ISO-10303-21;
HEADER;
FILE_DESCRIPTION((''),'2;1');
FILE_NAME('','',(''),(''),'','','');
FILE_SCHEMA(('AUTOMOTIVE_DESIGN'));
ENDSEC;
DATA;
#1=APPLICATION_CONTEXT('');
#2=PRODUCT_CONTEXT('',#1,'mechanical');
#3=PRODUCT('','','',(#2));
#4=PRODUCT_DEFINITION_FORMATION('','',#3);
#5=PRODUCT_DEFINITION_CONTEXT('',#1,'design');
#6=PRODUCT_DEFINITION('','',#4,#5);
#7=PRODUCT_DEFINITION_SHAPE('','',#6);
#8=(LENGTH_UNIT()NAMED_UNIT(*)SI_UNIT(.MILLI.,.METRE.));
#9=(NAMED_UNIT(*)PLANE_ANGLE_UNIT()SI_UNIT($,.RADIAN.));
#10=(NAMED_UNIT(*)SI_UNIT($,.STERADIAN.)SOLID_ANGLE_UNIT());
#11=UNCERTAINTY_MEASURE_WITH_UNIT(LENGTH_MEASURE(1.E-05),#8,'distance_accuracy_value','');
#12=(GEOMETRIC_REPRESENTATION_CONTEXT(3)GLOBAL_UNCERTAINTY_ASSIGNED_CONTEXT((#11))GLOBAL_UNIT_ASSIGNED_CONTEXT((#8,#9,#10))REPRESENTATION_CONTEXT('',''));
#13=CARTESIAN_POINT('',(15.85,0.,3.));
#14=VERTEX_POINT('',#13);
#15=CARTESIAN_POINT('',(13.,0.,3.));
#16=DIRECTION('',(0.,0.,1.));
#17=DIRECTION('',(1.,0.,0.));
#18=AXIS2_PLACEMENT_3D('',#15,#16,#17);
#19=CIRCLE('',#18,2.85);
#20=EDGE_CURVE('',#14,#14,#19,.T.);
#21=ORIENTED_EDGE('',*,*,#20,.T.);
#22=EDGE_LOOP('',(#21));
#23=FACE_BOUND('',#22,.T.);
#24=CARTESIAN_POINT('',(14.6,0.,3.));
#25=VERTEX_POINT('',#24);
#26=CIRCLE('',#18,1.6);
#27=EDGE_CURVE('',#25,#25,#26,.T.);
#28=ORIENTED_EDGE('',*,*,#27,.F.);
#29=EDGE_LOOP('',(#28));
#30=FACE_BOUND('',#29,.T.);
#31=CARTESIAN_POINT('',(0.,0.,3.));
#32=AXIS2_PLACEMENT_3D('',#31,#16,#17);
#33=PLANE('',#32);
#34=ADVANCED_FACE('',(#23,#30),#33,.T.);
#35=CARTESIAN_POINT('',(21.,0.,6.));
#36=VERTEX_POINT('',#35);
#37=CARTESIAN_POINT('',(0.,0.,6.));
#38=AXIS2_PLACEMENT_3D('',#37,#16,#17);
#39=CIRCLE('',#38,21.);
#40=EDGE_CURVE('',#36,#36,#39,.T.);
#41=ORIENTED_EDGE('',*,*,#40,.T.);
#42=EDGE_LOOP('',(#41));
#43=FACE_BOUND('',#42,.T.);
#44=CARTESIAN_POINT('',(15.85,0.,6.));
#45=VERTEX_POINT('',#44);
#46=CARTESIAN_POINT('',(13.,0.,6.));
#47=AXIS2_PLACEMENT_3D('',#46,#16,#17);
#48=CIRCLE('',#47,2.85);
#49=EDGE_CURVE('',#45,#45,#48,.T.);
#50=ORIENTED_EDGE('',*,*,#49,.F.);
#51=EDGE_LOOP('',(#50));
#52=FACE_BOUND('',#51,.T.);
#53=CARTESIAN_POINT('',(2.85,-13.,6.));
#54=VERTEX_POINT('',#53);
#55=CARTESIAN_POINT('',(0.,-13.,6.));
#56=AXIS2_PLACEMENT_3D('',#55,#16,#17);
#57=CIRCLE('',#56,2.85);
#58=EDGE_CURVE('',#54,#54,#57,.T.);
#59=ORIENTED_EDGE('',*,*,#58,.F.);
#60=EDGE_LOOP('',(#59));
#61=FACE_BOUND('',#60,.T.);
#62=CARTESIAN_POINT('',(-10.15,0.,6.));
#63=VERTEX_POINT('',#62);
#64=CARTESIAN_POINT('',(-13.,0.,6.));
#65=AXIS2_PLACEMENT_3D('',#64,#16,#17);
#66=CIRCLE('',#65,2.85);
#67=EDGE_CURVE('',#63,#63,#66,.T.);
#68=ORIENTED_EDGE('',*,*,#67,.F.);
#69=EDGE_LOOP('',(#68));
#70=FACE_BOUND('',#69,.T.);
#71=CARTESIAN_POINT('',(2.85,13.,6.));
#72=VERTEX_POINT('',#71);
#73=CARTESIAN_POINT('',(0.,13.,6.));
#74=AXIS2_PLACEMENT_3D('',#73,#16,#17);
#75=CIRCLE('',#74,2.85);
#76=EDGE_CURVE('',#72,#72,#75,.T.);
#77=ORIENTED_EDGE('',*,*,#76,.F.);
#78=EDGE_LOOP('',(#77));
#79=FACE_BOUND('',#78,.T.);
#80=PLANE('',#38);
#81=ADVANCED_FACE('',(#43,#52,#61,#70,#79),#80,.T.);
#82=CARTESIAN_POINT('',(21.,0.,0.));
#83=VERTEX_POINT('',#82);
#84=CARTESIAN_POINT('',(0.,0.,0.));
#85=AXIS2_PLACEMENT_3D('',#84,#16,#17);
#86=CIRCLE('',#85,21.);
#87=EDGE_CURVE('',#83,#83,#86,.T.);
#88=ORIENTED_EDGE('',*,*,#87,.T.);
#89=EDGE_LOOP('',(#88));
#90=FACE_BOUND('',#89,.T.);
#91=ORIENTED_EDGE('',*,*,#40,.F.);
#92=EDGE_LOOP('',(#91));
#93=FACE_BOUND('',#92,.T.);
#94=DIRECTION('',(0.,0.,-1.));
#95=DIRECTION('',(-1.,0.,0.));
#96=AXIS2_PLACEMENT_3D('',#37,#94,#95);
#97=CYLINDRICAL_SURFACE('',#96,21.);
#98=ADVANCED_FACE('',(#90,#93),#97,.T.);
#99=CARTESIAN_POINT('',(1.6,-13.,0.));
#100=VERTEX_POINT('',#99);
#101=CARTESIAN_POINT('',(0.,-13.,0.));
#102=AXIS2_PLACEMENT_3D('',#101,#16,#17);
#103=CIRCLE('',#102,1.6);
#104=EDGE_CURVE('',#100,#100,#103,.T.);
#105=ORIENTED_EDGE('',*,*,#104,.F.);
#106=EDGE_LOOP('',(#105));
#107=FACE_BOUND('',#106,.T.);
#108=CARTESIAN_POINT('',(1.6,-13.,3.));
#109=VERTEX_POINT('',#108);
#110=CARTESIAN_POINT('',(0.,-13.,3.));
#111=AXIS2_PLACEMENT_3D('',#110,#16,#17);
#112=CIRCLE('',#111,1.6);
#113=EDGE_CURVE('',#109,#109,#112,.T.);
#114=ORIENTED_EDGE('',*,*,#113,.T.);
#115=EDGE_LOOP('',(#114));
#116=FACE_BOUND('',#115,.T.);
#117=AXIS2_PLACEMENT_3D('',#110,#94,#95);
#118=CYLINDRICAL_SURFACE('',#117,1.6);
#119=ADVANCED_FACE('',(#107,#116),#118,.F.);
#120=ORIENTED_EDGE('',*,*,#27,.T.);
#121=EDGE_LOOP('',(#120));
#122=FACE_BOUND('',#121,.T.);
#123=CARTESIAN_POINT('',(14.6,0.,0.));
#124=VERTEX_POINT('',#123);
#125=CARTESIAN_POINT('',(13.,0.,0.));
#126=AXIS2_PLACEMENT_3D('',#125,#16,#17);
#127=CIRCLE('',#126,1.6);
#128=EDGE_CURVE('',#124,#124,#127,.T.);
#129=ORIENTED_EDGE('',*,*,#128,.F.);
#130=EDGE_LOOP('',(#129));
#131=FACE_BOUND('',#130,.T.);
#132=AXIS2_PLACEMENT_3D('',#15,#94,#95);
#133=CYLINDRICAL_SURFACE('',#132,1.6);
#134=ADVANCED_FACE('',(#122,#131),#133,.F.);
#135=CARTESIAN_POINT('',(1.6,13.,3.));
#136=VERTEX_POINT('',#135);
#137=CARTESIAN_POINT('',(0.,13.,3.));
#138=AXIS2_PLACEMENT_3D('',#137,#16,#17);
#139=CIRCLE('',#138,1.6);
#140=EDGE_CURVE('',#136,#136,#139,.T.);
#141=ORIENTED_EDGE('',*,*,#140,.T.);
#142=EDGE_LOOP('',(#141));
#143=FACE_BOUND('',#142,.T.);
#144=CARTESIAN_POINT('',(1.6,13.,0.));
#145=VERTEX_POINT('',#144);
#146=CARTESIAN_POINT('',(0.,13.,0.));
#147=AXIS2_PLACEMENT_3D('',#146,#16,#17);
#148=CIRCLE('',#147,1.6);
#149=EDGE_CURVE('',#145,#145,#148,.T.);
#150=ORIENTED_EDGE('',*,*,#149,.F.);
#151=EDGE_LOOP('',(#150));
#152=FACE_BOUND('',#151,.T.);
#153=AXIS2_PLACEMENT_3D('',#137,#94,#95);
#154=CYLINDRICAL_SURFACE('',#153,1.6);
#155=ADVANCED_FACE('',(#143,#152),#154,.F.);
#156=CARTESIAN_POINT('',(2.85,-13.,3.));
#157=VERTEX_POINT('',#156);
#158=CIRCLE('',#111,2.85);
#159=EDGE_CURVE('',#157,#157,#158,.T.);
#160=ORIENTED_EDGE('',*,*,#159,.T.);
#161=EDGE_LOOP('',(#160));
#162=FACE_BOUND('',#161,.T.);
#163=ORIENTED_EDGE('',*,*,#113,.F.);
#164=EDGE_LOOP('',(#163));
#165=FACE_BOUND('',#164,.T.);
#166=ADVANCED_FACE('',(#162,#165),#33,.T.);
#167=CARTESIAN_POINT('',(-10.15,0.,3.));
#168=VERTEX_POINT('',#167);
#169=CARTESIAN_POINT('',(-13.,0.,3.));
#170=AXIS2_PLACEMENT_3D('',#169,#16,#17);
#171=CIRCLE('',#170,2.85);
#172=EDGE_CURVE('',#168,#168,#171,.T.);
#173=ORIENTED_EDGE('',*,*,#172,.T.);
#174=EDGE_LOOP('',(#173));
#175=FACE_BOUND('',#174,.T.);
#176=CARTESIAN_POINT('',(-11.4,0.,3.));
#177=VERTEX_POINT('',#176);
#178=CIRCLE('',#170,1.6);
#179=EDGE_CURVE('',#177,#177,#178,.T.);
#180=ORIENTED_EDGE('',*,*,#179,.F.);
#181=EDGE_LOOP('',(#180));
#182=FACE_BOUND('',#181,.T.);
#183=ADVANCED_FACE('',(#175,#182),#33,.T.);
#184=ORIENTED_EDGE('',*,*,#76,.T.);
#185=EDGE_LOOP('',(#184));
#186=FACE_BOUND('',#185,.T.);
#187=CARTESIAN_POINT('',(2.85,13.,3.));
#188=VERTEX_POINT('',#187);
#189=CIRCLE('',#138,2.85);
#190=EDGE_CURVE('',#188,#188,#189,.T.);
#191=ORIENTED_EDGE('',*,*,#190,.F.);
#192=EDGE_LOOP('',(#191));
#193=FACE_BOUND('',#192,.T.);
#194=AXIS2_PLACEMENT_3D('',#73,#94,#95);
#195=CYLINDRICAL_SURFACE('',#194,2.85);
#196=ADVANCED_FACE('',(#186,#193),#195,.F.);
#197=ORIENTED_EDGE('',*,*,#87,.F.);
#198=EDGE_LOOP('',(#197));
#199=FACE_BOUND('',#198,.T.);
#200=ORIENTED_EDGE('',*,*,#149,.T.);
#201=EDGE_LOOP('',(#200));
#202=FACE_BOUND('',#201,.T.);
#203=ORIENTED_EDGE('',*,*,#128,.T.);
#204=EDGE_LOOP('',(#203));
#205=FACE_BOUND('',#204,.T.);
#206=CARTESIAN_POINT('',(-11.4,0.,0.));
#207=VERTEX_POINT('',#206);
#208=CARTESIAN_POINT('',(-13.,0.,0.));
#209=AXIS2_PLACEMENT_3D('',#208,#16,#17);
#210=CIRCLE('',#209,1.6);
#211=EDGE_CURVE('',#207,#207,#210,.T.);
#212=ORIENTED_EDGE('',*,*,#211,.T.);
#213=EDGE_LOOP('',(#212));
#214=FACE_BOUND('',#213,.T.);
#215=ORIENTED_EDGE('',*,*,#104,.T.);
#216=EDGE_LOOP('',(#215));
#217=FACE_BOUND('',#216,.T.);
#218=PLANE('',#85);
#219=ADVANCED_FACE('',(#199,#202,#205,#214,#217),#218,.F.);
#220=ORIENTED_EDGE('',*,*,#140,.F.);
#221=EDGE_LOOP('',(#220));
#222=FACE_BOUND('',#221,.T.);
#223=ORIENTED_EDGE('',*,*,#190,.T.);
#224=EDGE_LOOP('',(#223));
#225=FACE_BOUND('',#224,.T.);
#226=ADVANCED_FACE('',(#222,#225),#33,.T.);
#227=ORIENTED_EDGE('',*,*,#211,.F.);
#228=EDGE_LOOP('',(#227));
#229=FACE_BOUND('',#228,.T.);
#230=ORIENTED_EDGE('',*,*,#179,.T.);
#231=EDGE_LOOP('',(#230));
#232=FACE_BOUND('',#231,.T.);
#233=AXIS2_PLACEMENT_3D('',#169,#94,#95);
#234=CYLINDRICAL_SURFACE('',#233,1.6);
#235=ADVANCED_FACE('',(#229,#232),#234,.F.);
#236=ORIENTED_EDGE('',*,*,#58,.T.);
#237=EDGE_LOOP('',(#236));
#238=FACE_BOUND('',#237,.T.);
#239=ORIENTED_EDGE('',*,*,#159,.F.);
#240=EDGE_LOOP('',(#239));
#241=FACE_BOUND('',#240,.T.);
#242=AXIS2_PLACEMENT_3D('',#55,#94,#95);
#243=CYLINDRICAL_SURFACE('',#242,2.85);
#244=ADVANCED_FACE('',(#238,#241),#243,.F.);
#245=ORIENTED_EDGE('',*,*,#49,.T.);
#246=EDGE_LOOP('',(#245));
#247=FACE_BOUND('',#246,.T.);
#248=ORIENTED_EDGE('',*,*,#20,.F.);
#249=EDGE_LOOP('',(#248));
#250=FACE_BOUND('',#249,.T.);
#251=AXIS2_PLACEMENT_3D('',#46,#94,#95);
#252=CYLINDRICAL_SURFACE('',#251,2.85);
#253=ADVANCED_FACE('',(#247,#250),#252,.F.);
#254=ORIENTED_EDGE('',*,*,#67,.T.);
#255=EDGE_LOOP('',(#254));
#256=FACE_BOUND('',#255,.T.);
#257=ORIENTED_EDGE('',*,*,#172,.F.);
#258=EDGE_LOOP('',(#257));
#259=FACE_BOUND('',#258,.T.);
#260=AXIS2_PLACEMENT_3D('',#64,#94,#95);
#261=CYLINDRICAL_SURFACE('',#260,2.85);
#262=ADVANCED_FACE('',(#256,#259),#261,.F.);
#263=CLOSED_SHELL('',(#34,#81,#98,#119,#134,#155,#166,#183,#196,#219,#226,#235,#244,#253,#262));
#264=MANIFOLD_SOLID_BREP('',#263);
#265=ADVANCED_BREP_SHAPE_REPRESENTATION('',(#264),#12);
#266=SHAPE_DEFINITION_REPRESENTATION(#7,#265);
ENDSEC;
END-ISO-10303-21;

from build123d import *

# Parameters (mm, degrees)
SKETCH1_R           = 21
SKETCH1_R_2         = 2.85
BOSS_EXTRUDE1_DEPTH = 6
SKETCH1_4_R         = 2.85
SKETCH1_4_R_2       = 1.6
BOSS_EXTRUDE2_DEPTH = 3


with BuildPart() as part:
    # Sketch1 → Boss-Extrude1 (new body)
    with BuildSketch(Plane(origin=(0, 0, 0), x_dir=(0, 1, 0), z_dir=(0, 0, 1))):
        Circle(SKETCH1_R)
        with Locations((0, -13)):
            Circle(SKETCH1_R_2, mode=Mode.SUBTRACT)
        with Locations((13, 0)):
            Circle(SKETCH1_R_2, mode=Mode.SUBTRACT)
        with Locations((-13, 0)):
            Circle(SKETCH1_R_2, mode=Mode.SUBTRACT)
        with Locations((0, 13)):
            Circle(SKETCH1_R_2, mode=Mode.SUBTRACT)
    extrude(amount=BOSS_EXTRUDE1_DEPTH)

    # Sketch1<4> → Boss-Extrude2 (add)
    # profile 1 of 4: a face of its own
    with BuildSketch(Plane(origin=(0, 0, 0), x_dir=(0, 1, 0), z_dir=(0, 0, 1))):
        with Locations((0, 13)):
            Circle(SKETCH1_4_R)
        with Locations((0, 13)):
            Circle(SKETCH1_4_R_2, mode=Mode.SUBTRACT)
    # profile 2 of 4: a face of its own
    with BuildSketch(Plane(origin=(0, 0, 0), x_dir=(0, 1, 0), z_dir=(0, 0, 1))):
        with Locations((13, 0)):
            Circle(SKETCH1_4_R)
        with Locations((13, 0)):
            Circle(SKETCH1_4_R_2, mode=Mode.SUBTRACT)
    # profile 3 of 4: a face of its own
    with BuildSketch(Plane(origin=(0, 0, 0), x_dir=(0, 1, 0), z_dir=(0, 0, 1))):
        with Locations((0, -13)):
            Circle(SKETCH1_4_R)
        with Locations((0, -13)):
            Circle(SKETCH1_4_R_2, mode=Mode.SUBTRACT)
    # profile 4 of 4: a face of its own
    with BuildSketch(Plane(origin=(0, 0, 0), x_dir=(0, 1, 0), z_dir=(0, 0, 1))):
        with Locations((-13, 0)):
            Circle(SKETCH1_4_R)
        with Locations((-13, 0)):
            Circle(SKETCH1_4_R_2, mode=Mode.SUBTRACT)
    extrude(amount=BOSS_EXTRUDE2_DEPTH)


solid = part.part
